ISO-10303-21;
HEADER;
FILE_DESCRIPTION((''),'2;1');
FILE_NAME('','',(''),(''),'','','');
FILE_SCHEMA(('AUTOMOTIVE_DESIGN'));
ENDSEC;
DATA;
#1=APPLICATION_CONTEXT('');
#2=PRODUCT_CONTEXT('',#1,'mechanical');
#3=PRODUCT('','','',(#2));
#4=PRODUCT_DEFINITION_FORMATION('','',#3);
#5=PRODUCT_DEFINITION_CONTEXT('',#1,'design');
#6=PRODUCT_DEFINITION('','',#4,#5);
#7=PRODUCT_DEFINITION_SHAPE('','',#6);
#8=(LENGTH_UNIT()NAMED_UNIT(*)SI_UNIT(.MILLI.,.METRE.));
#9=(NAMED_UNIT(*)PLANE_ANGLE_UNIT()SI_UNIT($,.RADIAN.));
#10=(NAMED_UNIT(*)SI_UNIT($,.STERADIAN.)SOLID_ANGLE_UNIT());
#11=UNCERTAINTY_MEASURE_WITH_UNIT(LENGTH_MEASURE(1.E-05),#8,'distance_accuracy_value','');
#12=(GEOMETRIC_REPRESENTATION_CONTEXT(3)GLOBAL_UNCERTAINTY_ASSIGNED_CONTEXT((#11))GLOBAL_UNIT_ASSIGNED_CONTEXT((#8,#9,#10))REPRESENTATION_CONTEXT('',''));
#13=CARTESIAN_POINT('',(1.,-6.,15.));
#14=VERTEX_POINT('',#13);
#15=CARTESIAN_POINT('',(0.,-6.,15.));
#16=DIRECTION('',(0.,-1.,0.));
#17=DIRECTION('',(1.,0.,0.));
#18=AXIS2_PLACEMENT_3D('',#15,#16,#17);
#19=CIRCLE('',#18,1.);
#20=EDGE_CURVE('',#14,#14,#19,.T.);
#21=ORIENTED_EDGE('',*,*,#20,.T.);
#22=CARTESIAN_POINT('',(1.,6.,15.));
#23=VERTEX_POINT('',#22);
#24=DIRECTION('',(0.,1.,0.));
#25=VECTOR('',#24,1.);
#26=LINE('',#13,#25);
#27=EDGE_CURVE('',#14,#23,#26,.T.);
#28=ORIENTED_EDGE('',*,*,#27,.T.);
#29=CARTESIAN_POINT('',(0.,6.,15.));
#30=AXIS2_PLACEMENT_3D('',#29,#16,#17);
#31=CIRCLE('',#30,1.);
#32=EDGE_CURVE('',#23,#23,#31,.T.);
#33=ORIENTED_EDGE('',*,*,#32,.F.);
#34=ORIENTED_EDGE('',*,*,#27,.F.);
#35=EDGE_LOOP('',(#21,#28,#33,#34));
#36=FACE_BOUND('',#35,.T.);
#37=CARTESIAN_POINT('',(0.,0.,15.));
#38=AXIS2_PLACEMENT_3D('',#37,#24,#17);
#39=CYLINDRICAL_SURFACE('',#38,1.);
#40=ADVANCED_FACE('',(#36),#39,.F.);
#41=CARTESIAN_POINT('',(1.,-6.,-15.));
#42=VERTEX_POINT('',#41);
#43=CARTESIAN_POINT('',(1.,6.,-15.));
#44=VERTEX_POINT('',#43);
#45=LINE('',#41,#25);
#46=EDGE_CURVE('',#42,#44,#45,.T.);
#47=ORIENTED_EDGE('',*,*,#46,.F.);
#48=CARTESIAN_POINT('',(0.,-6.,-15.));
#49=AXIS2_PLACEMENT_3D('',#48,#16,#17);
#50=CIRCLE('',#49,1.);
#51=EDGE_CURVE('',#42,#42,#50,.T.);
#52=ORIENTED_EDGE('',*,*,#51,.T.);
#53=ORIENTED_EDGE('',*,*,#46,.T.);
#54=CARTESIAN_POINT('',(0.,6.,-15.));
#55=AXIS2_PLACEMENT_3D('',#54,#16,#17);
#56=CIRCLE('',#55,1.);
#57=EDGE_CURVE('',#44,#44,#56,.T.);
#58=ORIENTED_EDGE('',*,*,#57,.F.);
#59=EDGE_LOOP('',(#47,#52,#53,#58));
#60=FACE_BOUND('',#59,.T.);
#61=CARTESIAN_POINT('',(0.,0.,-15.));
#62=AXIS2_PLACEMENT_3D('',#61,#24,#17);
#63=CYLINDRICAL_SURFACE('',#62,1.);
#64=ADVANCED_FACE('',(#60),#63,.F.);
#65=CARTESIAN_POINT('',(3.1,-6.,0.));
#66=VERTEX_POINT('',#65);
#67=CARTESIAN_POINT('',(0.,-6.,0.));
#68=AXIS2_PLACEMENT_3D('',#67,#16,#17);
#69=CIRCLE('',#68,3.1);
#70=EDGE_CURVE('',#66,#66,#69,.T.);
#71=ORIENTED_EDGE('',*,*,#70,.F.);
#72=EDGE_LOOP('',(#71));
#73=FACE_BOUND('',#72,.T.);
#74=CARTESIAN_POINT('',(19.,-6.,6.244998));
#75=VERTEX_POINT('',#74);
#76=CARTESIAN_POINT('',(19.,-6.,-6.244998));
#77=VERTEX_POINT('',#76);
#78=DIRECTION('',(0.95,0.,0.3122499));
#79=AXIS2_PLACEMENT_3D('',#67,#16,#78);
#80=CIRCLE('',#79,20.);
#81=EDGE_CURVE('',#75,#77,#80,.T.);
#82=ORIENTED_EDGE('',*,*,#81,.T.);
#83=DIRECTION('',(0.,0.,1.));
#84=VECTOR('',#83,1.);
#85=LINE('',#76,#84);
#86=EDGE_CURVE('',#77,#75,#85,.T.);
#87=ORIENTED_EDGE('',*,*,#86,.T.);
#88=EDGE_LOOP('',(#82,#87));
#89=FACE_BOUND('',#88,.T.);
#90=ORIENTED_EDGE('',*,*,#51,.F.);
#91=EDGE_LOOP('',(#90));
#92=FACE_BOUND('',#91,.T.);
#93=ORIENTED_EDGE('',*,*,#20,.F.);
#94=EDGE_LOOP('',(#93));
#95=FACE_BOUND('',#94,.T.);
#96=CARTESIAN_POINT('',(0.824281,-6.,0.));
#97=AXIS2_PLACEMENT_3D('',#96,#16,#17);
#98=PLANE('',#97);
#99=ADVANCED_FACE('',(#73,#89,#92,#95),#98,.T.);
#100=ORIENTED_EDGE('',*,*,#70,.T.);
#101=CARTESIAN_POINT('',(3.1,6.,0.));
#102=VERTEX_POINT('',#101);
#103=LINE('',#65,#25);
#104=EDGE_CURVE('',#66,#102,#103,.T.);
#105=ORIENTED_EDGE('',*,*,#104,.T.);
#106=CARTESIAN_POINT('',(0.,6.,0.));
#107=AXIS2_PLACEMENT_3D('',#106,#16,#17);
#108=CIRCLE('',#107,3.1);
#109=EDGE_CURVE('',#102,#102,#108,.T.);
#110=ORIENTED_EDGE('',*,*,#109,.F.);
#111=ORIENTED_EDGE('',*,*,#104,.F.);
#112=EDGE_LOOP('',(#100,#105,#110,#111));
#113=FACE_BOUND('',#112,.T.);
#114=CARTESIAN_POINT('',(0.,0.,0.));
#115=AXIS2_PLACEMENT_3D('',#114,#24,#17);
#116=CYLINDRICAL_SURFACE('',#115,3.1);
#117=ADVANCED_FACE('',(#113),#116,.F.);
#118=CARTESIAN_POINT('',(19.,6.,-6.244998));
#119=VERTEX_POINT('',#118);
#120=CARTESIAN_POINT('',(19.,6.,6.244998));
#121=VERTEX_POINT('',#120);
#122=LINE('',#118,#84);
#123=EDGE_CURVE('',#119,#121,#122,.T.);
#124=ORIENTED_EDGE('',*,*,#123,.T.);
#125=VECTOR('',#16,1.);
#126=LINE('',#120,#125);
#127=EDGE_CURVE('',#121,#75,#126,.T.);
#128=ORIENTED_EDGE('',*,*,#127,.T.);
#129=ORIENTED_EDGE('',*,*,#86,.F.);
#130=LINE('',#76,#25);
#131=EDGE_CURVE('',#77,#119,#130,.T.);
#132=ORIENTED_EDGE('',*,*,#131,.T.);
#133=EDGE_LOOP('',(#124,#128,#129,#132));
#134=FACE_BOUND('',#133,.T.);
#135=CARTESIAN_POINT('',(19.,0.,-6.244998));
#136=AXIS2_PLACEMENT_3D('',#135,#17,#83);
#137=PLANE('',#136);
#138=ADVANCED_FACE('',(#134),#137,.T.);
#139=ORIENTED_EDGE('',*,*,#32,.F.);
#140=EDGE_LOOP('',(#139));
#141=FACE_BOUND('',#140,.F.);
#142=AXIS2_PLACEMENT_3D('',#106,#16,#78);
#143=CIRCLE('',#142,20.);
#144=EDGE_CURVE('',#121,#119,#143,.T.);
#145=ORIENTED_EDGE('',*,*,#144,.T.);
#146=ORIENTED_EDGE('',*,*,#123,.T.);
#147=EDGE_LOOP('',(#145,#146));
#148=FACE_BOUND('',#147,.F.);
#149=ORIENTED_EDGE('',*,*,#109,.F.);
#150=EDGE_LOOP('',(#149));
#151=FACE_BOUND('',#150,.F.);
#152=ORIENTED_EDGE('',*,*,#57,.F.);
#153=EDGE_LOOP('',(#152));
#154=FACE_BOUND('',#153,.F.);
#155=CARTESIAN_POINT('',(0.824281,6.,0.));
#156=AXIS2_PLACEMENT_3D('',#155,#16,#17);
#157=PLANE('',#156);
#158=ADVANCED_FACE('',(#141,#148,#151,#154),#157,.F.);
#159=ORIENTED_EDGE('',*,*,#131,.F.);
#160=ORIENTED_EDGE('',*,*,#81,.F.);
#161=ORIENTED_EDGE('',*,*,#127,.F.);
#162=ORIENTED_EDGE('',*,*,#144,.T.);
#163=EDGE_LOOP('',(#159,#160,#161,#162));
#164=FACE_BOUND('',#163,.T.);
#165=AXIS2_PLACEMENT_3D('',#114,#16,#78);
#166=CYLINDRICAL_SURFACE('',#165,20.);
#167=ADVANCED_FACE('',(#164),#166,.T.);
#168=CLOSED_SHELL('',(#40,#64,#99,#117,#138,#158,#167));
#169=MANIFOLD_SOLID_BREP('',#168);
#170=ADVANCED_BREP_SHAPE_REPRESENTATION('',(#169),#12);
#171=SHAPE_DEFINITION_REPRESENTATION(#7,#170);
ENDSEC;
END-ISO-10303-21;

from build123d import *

# Parameters (mm, degrees)
F0_R     = 1
F0_R_2   = 3.1
F1_DEPTH = 6


with BuildPart() as f1:
    # F0 (on Front) → F1 (new body, symmetric)
    with BuildSketch(Plane.XZ):
        with BuildLine():
            Line((19, -6.244998), (19, 6.244998))
            ThreePointArc((19, 6.244998), (-20, 0), (19, -6.244998))
        make_face()
        with Locations((0, -15)):
            Circle(F0_R, mode=Mode.SUBTRACT)
        Circle(F0_R_2, mode=Mode.SUBTRACT)
        with Locations((0, 15)):
            Circle(F0_R, mode=Mode.SUBTRACT)
    extrude(amount=F1_DEPTH, both=True)


solid = f1.part
